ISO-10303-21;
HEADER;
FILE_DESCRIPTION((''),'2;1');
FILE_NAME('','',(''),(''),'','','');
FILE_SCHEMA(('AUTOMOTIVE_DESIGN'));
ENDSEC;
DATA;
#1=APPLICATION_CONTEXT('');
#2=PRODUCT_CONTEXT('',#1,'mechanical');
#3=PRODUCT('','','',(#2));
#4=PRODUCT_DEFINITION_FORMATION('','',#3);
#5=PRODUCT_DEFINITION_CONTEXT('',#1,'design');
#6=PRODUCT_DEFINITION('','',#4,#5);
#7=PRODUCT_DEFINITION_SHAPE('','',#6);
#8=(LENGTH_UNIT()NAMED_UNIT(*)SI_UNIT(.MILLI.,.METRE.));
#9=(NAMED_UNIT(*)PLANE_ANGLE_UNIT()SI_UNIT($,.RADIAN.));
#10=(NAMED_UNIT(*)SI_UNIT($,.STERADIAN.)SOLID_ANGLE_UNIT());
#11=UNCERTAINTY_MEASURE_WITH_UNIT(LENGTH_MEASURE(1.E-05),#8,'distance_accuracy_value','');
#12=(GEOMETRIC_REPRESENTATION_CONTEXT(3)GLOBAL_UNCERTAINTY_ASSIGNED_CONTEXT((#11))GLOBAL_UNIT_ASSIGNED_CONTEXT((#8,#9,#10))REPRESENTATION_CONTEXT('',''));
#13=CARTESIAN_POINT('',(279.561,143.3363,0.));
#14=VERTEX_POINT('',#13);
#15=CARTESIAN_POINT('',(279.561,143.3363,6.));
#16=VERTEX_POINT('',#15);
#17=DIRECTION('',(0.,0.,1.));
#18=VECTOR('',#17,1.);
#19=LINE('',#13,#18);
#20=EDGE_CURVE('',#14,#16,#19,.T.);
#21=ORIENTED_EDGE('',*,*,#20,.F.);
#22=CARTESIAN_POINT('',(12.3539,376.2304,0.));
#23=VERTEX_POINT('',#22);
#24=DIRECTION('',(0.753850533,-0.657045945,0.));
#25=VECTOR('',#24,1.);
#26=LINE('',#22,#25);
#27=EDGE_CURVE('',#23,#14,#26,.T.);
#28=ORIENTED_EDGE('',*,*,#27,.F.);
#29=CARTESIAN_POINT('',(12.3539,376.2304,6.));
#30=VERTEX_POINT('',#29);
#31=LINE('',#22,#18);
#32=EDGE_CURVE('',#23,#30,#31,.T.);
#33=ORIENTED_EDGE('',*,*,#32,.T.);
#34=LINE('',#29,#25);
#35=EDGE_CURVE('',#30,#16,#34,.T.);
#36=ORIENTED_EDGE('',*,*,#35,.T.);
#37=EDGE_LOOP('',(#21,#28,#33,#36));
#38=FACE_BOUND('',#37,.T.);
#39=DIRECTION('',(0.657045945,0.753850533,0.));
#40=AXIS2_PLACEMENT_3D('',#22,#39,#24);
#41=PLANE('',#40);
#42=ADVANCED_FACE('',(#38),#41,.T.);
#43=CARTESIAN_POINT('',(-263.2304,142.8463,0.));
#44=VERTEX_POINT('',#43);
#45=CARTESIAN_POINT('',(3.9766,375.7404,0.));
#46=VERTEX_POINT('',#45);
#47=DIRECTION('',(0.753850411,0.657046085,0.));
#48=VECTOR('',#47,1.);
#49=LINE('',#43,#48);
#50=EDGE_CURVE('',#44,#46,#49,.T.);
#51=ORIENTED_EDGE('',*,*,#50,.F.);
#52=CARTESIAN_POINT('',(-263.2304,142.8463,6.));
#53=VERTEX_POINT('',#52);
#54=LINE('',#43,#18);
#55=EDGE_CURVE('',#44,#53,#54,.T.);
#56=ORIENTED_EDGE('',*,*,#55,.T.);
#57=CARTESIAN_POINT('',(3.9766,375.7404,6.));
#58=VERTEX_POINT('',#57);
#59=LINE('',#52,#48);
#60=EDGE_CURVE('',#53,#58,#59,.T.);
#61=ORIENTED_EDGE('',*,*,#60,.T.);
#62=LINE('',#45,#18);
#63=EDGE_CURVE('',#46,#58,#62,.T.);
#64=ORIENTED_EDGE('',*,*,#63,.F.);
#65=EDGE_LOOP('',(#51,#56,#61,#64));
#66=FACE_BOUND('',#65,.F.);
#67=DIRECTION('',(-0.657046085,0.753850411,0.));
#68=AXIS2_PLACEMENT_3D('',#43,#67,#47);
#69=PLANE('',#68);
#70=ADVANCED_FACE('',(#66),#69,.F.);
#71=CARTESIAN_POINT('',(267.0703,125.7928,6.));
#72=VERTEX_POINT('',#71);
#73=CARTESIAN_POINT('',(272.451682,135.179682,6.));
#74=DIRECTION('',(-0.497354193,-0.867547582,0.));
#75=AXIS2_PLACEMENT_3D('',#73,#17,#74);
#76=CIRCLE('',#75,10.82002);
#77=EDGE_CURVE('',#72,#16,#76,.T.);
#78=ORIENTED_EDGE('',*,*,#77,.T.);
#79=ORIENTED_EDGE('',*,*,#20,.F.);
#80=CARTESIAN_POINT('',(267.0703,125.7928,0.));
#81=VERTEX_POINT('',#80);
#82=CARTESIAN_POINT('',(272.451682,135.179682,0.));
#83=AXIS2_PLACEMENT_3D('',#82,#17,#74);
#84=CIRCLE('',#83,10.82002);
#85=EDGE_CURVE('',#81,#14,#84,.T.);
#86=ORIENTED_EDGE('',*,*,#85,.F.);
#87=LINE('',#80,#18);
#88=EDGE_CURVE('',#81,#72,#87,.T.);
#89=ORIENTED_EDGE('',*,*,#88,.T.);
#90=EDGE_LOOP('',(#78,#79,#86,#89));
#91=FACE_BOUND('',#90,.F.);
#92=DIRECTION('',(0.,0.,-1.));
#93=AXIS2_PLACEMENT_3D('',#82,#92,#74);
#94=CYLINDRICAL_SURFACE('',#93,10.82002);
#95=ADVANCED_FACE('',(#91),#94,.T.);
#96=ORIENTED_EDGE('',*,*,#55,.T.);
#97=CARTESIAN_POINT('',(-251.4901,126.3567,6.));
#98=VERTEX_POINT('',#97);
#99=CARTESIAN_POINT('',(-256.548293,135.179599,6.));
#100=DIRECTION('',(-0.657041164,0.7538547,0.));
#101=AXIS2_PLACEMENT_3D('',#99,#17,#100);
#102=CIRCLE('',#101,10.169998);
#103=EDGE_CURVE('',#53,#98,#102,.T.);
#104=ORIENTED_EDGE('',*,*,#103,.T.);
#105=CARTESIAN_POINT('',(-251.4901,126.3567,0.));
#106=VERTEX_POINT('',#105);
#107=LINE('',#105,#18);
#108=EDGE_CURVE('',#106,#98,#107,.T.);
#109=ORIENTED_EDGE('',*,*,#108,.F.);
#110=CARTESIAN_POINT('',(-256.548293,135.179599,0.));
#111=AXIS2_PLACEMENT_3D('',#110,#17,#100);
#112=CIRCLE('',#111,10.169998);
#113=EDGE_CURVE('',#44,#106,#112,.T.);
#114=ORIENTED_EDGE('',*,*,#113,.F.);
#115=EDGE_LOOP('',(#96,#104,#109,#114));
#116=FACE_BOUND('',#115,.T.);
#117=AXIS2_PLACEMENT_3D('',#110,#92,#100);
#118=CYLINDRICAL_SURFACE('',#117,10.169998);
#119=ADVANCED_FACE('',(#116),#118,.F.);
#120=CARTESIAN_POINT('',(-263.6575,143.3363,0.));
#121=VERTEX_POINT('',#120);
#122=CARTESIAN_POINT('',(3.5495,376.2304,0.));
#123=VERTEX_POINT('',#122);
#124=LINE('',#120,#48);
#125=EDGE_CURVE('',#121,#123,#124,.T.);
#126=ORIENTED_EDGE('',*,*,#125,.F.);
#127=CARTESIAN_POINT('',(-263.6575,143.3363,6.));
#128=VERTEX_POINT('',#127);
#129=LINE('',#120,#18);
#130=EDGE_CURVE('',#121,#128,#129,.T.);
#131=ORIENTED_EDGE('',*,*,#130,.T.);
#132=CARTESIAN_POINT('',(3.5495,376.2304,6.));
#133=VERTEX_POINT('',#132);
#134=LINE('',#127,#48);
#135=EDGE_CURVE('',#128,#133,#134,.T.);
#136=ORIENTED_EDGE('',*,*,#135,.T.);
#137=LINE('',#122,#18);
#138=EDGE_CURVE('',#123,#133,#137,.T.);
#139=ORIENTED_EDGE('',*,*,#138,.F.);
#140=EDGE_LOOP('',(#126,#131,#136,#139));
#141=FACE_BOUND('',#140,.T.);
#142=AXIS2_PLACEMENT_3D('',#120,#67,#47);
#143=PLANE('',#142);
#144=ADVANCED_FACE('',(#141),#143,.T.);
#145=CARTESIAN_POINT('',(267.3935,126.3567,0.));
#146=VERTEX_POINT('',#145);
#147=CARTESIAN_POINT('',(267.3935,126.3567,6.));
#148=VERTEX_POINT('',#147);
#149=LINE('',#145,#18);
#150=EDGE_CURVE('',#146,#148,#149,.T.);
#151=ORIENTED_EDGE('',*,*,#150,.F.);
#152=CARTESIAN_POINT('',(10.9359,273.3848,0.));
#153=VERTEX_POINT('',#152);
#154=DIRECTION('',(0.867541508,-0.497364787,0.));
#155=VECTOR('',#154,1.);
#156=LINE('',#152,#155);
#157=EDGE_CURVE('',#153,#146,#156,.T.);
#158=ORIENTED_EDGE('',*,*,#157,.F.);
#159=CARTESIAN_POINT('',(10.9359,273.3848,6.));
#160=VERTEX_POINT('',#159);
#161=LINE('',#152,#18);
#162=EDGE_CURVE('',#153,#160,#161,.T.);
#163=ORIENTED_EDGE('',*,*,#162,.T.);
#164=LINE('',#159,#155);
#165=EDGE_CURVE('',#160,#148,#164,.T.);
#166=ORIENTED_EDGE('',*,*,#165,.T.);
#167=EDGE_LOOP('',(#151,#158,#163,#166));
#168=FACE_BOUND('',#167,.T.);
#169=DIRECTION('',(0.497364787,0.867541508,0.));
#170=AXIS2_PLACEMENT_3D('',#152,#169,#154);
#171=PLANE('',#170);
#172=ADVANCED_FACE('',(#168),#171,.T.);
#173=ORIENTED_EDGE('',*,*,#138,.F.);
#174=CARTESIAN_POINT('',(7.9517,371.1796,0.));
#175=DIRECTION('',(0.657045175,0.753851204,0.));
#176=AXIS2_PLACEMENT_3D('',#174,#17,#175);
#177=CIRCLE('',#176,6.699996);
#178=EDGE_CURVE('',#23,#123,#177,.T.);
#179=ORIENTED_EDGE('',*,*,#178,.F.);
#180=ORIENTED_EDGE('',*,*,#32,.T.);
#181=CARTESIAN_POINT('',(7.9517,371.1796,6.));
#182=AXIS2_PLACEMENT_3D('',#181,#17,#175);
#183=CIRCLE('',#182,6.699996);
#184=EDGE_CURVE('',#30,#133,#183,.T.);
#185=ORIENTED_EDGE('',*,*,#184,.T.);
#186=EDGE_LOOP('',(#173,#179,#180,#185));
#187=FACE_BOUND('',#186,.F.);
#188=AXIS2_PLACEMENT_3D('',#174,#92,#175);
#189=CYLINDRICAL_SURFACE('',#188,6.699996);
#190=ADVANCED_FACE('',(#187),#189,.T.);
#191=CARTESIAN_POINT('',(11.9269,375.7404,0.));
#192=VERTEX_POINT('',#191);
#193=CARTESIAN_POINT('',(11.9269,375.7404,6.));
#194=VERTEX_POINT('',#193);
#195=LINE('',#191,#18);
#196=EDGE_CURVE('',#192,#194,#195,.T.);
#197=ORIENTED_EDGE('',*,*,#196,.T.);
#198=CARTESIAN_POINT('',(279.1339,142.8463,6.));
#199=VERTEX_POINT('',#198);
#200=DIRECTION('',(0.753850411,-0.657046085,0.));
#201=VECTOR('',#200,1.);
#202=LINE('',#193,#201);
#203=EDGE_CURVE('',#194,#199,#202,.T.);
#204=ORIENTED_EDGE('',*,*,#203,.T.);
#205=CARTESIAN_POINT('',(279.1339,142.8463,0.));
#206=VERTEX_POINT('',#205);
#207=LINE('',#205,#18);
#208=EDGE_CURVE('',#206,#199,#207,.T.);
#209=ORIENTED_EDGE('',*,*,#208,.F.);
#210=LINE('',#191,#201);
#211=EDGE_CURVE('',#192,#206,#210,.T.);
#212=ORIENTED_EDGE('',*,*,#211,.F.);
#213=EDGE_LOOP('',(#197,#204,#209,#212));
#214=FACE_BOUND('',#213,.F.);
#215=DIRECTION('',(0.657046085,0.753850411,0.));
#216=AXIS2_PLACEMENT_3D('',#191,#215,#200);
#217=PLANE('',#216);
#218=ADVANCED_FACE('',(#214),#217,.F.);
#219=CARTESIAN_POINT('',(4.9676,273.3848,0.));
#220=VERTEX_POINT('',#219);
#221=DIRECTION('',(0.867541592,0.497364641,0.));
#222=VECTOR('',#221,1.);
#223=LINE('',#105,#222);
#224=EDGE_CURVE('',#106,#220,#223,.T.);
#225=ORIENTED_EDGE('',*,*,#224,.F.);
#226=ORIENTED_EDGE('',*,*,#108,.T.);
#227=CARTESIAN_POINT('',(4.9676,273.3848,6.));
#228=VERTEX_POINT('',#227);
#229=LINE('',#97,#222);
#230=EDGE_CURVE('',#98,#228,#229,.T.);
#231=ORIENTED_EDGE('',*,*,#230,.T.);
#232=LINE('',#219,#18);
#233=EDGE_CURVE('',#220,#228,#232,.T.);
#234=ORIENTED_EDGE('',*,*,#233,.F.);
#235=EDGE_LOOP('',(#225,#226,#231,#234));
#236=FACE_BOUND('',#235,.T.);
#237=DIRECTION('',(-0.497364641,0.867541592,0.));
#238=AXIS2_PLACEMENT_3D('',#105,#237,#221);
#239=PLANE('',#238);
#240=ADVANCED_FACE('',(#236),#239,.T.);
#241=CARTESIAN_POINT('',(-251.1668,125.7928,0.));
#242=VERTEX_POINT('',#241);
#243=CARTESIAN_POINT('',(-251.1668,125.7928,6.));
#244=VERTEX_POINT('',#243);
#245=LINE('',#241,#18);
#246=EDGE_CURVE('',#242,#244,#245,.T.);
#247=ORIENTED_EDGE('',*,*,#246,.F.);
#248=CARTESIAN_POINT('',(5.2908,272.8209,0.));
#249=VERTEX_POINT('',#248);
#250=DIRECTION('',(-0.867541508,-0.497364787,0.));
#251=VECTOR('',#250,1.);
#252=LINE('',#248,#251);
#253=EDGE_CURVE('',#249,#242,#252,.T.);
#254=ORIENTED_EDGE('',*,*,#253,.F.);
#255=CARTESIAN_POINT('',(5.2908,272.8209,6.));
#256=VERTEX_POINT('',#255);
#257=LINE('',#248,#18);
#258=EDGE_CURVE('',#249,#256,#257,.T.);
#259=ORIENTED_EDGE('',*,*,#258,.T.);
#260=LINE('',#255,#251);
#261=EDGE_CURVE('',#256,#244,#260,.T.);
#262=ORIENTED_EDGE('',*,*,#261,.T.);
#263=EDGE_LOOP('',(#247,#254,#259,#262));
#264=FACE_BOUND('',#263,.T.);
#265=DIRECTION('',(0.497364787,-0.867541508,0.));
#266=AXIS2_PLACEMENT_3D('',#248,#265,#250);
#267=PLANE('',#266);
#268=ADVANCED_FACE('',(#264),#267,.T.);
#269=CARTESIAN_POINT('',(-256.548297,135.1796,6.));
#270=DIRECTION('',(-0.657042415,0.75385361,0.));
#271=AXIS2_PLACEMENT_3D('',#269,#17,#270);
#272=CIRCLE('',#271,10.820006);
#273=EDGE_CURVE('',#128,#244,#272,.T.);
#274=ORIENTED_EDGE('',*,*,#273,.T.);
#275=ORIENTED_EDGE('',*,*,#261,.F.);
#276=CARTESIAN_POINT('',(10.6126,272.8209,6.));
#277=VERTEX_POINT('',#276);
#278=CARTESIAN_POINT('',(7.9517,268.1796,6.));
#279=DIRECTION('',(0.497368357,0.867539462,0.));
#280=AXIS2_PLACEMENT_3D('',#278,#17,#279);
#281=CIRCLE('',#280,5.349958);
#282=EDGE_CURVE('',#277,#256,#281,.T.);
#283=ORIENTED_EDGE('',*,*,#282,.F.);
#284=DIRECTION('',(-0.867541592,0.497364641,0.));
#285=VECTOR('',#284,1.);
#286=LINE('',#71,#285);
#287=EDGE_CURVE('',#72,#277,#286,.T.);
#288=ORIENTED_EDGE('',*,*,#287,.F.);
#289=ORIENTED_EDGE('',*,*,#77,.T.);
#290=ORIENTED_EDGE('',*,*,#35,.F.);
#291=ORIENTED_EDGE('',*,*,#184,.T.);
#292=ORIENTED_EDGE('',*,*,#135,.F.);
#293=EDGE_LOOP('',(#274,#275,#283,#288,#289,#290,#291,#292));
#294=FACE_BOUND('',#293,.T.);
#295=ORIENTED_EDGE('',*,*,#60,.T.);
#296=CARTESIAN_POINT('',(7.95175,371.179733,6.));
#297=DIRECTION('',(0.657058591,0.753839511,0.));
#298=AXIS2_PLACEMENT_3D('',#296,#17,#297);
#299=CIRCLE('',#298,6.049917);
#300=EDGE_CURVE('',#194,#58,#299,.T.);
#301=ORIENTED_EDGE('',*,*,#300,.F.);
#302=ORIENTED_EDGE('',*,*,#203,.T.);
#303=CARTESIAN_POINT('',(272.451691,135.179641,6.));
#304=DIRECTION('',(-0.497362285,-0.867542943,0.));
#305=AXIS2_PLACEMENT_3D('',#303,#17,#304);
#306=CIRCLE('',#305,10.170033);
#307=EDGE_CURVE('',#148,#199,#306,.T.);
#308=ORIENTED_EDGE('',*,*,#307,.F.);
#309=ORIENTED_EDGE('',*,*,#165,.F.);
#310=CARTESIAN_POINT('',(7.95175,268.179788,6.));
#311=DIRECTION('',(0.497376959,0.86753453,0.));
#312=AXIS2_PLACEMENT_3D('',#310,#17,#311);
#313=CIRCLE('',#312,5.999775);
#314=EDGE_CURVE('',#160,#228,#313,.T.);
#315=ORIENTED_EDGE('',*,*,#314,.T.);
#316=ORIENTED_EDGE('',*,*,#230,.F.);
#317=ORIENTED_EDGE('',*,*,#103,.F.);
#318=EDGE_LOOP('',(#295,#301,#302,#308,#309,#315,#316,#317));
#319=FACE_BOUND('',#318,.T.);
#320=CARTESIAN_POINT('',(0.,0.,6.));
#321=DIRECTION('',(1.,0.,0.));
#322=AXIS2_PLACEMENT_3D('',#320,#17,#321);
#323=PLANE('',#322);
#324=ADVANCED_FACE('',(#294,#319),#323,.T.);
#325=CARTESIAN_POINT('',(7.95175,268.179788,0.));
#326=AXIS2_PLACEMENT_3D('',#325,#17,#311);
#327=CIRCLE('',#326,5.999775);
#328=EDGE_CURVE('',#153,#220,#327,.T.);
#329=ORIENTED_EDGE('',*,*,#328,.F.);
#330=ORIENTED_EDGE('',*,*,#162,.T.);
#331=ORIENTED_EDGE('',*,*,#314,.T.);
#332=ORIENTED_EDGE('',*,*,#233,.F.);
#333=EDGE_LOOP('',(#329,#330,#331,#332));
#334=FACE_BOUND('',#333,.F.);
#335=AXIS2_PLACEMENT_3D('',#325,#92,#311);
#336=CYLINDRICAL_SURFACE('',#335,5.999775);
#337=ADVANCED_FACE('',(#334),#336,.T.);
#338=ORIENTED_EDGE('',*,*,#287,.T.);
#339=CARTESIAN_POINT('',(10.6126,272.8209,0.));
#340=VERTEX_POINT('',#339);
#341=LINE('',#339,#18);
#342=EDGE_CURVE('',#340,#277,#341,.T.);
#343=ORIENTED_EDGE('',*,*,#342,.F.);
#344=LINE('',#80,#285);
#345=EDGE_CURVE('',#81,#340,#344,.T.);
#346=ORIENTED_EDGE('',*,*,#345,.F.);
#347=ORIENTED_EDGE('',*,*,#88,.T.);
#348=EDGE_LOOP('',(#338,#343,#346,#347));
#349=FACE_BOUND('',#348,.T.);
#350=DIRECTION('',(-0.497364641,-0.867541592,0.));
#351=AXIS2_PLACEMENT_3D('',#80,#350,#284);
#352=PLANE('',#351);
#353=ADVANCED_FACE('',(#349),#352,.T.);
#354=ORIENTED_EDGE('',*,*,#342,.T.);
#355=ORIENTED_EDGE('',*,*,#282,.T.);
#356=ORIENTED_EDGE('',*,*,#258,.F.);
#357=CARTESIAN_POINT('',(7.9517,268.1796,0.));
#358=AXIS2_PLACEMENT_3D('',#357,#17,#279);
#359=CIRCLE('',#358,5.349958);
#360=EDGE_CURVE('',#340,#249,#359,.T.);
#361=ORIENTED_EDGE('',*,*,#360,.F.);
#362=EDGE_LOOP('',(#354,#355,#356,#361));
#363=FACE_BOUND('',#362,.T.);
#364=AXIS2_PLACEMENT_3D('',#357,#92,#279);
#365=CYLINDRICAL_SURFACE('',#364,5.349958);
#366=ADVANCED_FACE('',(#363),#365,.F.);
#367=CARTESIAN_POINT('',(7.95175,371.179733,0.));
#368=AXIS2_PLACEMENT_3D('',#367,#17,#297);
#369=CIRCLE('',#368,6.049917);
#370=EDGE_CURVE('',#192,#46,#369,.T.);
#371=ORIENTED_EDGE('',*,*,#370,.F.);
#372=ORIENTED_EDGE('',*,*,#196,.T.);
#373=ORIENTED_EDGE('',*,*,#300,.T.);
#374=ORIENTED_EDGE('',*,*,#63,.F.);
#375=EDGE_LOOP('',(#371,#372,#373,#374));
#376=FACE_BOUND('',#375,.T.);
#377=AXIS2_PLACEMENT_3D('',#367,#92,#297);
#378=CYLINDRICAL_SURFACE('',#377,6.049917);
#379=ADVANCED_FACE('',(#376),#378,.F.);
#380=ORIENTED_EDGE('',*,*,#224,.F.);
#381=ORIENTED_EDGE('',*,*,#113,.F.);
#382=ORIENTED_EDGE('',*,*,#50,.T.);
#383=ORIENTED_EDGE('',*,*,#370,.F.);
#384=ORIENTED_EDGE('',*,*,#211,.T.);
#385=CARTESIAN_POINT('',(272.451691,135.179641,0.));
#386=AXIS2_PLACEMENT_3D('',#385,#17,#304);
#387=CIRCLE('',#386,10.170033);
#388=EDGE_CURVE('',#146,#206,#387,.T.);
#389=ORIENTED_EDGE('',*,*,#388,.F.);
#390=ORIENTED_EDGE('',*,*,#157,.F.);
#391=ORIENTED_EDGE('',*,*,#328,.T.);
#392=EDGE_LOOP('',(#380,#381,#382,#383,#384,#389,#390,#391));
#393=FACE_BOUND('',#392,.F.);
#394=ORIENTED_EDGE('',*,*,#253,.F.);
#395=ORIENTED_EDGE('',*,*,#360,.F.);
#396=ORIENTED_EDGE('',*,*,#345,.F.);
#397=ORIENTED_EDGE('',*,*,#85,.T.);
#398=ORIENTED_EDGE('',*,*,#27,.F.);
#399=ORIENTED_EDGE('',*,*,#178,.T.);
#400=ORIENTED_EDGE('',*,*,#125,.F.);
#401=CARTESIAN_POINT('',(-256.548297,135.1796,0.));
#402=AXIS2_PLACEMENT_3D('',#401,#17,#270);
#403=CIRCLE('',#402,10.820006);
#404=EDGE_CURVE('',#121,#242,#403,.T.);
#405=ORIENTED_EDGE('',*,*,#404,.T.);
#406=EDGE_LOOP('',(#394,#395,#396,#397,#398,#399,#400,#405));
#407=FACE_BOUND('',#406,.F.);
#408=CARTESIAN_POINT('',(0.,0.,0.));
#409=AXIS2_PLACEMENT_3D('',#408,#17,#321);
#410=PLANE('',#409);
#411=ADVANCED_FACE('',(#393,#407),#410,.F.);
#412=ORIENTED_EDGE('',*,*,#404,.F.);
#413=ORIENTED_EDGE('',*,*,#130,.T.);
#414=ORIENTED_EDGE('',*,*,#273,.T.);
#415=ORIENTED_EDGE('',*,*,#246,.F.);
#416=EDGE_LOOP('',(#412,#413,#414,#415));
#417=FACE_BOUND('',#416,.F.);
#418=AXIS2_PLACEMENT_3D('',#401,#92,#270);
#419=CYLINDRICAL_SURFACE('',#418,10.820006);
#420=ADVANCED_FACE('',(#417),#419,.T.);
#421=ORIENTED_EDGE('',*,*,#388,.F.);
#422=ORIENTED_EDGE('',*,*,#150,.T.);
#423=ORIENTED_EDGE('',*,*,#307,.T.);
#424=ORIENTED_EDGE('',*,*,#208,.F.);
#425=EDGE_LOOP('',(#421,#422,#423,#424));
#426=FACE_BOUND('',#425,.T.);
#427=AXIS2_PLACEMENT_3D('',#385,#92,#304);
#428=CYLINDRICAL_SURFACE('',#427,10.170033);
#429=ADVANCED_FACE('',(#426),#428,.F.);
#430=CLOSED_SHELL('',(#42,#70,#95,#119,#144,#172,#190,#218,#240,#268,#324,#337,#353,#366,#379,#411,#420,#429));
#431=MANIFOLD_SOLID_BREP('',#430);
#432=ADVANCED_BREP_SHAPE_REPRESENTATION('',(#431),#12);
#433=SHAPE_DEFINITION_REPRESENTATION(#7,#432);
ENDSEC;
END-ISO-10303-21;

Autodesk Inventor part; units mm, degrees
ref_plane "YZ Plane" through (0, 0, 0) normal (1, 0, 0) x (0, 1, 0)
ref_plane "XZ Plane" through (0, 0, 0) normal (0, 1, 0) x (-1, 0, 0)
ref_plane "XY Plane" through (0, 0, 0) normal (0, 0, 1) x (1, 0, 0)
sketch "Szkic1" plane through (0, 0, 0) normal (0, 0, 1) x (1, 0, 0)
  arc A0 (11.9269, 375.7404) -> (3.9766, 375.7404) centre (7.9517, 371.1796) ccw
  arc A1 (-263.2304, 142.8463) -> (-251.4901, 126.3567) centre (-256.5483, 135.1796) ccw
  arc A2 (267.3935, 126.3567) -> (279.1339, 142.8463) centre (272.4517, 135.1796) ccw
  arc A3 (10.9359, 273.3848) -> (4.9676, 273.3848) centre (7.9517, 268.1796) ccw
  line L0 (-251.4901, 126.3567) -> (4.9676, 273.3848)
  line L1 (10.9359, 273.3848) -> (267.3935, 126.3567)
  line L2 (-263.2304, 142.8463) -> (3.9766, 375.7404)
  line L3 (11.9269, 375.7404) -> (279.1339, 142.8463)
  arc A4 (12.3539, 376.2304) -> (3.5495, 376.2304) centre (7.9517, 371.1796) ccw
  line L4 (12.3539, 376.2304) -> (279.561, 143.3363)
  arc A5 (267.0703, 125.7928) -> (279.561, 143.3363) centre (272.4517, 135.1796) ccw
  line L5 (267.0703, 125.7928) -> (10.6126, 272.8209)
  arc A6 (10.6126, 272.8209) -> (5.2908, 272.8209) centre (7.9517, 268.1796) ccw
  line L6 (5.2908, 272.8209) -> (-251.1668, 125.7928)
  arc A7 (-263.6575, 143.3363) -> (-251.1668, 125.7928) centre (-256.5483, 135.1796) ccw
  line L7 (-263.6575, 143.3363) -> (3.5495, 376.2304)
  point P0 (0, 0)
  dimension "d0" = 264.5
  dimension "d1" = 264.5
  dimension "d2" = 236
  dimension "d3" = 236
  dimension "d10" = 0
  dimension "d11" = 103
  dimension "d16" = 12.1
  dimension "d17" = 20.34
  dimension "d18" = 20.34
  dimension "d19" = 12
  dimension "d20" = 0.65
extrude "Wyciągnięcie proste2" add sketch "Szkic1" along normal blind 6
equation "\"d1\" = d0"
equation "\"d3\" = d2"
properties part number "COTS_GENERIC_Z_Axis_GT2_Timing_Belt"
